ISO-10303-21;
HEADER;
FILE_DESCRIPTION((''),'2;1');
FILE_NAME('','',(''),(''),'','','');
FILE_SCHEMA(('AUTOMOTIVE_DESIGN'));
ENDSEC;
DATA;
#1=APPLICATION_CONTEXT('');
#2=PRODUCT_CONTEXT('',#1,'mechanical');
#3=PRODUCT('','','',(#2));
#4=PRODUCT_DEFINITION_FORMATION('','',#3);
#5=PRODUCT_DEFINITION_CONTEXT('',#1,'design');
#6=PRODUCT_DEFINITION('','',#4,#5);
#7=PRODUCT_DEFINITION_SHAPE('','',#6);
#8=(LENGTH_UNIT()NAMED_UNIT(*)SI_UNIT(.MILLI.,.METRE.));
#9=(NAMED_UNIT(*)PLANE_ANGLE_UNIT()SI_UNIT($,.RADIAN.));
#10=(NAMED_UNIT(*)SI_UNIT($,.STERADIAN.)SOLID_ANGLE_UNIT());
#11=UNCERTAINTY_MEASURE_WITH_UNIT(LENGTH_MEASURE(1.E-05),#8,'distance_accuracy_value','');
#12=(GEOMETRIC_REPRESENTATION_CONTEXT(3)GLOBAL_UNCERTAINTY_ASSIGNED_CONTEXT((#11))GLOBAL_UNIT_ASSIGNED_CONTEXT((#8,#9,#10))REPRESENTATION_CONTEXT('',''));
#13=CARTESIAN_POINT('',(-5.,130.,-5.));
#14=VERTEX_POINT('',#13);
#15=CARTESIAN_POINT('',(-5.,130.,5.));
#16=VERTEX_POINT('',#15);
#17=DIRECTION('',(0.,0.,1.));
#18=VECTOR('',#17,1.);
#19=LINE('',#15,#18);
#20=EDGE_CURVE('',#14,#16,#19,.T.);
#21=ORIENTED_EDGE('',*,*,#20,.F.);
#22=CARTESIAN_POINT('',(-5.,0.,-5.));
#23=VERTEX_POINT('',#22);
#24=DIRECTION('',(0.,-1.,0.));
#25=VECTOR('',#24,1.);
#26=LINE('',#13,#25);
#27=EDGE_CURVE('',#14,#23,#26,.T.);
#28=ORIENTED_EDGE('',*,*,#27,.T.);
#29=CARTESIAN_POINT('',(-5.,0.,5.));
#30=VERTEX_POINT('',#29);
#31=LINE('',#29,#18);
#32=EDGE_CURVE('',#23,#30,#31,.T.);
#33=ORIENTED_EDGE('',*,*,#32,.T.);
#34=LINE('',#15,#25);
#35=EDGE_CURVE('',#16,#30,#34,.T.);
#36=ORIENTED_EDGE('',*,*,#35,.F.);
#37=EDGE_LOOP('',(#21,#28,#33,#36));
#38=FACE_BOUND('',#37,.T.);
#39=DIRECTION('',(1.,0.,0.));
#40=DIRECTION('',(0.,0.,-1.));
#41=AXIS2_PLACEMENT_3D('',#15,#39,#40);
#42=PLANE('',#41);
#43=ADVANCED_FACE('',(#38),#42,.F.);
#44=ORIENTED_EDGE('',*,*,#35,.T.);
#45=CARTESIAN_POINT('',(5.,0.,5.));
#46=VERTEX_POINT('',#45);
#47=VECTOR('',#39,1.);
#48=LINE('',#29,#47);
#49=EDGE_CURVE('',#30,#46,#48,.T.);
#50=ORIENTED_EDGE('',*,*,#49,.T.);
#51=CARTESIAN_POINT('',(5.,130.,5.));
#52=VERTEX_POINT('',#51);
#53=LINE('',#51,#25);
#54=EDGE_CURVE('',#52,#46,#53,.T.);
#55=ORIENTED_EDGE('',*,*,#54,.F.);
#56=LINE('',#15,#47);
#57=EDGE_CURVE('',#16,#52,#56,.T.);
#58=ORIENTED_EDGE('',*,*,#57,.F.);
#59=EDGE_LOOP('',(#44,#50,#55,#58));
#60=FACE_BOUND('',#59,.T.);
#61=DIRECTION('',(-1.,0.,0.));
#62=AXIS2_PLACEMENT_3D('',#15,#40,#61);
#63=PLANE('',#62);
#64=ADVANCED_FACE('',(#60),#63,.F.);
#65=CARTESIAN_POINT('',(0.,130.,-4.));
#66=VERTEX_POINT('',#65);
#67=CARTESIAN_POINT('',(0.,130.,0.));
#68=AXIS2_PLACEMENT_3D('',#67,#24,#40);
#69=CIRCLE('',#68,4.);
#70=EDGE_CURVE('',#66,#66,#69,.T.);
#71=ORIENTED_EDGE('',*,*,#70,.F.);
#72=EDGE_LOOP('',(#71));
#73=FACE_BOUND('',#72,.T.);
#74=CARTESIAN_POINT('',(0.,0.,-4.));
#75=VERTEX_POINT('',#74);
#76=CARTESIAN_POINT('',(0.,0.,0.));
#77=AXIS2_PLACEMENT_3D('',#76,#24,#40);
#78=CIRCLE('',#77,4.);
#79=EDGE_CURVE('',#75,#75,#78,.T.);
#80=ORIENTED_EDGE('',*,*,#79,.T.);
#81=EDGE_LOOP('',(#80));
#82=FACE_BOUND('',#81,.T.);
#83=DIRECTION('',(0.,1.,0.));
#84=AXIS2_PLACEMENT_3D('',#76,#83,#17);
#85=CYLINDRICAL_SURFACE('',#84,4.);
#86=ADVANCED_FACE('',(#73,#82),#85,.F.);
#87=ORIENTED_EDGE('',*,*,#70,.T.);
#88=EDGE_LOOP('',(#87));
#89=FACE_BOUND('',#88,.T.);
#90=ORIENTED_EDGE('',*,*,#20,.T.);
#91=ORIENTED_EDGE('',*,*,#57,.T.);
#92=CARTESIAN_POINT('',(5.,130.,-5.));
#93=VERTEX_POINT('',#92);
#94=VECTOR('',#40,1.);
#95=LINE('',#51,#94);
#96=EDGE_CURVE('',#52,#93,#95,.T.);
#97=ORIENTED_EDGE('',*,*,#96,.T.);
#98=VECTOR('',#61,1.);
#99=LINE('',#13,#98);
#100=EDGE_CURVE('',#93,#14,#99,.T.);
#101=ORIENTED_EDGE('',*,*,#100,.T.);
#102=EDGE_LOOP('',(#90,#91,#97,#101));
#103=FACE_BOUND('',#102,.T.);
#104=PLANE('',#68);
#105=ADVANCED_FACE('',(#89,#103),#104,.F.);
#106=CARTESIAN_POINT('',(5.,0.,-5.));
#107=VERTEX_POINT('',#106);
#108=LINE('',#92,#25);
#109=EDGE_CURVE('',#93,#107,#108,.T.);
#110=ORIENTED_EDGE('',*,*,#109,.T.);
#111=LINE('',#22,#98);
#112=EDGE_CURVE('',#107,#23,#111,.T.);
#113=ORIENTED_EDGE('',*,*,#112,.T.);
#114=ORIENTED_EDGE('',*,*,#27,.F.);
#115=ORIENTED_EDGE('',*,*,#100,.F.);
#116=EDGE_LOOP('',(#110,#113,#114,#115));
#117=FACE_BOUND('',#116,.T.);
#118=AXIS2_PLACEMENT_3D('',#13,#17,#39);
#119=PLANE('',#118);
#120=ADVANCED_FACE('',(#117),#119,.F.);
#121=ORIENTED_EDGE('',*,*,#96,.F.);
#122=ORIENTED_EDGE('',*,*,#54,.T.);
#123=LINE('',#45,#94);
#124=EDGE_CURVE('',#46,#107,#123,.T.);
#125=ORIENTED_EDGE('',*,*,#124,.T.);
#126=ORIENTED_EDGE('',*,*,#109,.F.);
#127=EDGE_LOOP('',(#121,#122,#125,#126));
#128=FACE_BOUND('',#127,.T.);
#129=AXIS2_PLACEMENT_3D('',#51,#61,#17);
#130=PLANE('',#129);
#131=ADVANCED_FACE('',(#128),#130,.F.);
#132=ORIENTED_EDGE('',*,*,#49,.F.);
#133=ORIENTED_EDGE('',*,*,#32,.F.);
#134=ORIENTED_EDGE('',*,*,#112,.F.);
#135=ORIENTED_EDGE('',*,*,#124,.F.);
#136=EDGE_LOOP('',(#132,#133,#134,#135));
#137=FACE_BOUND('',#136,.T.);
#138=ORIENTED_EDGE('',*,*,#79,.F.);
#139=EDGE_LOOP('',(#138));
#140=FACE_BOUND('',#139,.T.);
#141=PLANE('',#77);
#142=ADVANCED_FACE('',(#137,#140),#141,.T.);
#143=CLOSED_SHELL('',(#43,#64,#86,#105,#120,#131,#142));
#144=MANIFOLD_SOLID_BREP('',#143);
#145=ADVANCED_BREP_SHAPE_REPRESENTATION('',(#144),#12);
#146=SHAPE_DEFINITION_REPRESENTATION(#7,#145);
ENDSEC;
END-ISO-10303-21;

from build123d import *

# Parameters (mm, degrees)
SKETCH_1_W          = 10
SKETCH_1_H          = 10
EXTRUDE_1_DEPTH     = 130
SKETCH_2_R          = 4
CUT_EXTRUDE_1_DEPTH = 130


with BuildPart() as part:
    # 草图1 → 凸台-拉伸1 (new body)
    with BuildSketch(Plane(origin=(0, 0, 0), x_dir=(1, 0, 0), z_dir=(0, 1, 0))):
        Rectangle(SKETCH_1_W, SKETCH_1_H)
    extrude(amount=EXTRUDE_1_DEPTH)

    # 草图2 → 切除-拉伸1 (cut)
    with BuildSketch(Plane(origin=(5, 130, 5), x_dir=(1, 0, 0), z_dir=(0, -1, 0))):
        with Locations(Location((-5, -5, 0), (0, 0, 270))):
            Circle(SKETCH_2_R)
    extrude(amount=CUT_EXTRUDE_1_DEPTH, mode=Mode.SUBTRACT)


solid = part.part
